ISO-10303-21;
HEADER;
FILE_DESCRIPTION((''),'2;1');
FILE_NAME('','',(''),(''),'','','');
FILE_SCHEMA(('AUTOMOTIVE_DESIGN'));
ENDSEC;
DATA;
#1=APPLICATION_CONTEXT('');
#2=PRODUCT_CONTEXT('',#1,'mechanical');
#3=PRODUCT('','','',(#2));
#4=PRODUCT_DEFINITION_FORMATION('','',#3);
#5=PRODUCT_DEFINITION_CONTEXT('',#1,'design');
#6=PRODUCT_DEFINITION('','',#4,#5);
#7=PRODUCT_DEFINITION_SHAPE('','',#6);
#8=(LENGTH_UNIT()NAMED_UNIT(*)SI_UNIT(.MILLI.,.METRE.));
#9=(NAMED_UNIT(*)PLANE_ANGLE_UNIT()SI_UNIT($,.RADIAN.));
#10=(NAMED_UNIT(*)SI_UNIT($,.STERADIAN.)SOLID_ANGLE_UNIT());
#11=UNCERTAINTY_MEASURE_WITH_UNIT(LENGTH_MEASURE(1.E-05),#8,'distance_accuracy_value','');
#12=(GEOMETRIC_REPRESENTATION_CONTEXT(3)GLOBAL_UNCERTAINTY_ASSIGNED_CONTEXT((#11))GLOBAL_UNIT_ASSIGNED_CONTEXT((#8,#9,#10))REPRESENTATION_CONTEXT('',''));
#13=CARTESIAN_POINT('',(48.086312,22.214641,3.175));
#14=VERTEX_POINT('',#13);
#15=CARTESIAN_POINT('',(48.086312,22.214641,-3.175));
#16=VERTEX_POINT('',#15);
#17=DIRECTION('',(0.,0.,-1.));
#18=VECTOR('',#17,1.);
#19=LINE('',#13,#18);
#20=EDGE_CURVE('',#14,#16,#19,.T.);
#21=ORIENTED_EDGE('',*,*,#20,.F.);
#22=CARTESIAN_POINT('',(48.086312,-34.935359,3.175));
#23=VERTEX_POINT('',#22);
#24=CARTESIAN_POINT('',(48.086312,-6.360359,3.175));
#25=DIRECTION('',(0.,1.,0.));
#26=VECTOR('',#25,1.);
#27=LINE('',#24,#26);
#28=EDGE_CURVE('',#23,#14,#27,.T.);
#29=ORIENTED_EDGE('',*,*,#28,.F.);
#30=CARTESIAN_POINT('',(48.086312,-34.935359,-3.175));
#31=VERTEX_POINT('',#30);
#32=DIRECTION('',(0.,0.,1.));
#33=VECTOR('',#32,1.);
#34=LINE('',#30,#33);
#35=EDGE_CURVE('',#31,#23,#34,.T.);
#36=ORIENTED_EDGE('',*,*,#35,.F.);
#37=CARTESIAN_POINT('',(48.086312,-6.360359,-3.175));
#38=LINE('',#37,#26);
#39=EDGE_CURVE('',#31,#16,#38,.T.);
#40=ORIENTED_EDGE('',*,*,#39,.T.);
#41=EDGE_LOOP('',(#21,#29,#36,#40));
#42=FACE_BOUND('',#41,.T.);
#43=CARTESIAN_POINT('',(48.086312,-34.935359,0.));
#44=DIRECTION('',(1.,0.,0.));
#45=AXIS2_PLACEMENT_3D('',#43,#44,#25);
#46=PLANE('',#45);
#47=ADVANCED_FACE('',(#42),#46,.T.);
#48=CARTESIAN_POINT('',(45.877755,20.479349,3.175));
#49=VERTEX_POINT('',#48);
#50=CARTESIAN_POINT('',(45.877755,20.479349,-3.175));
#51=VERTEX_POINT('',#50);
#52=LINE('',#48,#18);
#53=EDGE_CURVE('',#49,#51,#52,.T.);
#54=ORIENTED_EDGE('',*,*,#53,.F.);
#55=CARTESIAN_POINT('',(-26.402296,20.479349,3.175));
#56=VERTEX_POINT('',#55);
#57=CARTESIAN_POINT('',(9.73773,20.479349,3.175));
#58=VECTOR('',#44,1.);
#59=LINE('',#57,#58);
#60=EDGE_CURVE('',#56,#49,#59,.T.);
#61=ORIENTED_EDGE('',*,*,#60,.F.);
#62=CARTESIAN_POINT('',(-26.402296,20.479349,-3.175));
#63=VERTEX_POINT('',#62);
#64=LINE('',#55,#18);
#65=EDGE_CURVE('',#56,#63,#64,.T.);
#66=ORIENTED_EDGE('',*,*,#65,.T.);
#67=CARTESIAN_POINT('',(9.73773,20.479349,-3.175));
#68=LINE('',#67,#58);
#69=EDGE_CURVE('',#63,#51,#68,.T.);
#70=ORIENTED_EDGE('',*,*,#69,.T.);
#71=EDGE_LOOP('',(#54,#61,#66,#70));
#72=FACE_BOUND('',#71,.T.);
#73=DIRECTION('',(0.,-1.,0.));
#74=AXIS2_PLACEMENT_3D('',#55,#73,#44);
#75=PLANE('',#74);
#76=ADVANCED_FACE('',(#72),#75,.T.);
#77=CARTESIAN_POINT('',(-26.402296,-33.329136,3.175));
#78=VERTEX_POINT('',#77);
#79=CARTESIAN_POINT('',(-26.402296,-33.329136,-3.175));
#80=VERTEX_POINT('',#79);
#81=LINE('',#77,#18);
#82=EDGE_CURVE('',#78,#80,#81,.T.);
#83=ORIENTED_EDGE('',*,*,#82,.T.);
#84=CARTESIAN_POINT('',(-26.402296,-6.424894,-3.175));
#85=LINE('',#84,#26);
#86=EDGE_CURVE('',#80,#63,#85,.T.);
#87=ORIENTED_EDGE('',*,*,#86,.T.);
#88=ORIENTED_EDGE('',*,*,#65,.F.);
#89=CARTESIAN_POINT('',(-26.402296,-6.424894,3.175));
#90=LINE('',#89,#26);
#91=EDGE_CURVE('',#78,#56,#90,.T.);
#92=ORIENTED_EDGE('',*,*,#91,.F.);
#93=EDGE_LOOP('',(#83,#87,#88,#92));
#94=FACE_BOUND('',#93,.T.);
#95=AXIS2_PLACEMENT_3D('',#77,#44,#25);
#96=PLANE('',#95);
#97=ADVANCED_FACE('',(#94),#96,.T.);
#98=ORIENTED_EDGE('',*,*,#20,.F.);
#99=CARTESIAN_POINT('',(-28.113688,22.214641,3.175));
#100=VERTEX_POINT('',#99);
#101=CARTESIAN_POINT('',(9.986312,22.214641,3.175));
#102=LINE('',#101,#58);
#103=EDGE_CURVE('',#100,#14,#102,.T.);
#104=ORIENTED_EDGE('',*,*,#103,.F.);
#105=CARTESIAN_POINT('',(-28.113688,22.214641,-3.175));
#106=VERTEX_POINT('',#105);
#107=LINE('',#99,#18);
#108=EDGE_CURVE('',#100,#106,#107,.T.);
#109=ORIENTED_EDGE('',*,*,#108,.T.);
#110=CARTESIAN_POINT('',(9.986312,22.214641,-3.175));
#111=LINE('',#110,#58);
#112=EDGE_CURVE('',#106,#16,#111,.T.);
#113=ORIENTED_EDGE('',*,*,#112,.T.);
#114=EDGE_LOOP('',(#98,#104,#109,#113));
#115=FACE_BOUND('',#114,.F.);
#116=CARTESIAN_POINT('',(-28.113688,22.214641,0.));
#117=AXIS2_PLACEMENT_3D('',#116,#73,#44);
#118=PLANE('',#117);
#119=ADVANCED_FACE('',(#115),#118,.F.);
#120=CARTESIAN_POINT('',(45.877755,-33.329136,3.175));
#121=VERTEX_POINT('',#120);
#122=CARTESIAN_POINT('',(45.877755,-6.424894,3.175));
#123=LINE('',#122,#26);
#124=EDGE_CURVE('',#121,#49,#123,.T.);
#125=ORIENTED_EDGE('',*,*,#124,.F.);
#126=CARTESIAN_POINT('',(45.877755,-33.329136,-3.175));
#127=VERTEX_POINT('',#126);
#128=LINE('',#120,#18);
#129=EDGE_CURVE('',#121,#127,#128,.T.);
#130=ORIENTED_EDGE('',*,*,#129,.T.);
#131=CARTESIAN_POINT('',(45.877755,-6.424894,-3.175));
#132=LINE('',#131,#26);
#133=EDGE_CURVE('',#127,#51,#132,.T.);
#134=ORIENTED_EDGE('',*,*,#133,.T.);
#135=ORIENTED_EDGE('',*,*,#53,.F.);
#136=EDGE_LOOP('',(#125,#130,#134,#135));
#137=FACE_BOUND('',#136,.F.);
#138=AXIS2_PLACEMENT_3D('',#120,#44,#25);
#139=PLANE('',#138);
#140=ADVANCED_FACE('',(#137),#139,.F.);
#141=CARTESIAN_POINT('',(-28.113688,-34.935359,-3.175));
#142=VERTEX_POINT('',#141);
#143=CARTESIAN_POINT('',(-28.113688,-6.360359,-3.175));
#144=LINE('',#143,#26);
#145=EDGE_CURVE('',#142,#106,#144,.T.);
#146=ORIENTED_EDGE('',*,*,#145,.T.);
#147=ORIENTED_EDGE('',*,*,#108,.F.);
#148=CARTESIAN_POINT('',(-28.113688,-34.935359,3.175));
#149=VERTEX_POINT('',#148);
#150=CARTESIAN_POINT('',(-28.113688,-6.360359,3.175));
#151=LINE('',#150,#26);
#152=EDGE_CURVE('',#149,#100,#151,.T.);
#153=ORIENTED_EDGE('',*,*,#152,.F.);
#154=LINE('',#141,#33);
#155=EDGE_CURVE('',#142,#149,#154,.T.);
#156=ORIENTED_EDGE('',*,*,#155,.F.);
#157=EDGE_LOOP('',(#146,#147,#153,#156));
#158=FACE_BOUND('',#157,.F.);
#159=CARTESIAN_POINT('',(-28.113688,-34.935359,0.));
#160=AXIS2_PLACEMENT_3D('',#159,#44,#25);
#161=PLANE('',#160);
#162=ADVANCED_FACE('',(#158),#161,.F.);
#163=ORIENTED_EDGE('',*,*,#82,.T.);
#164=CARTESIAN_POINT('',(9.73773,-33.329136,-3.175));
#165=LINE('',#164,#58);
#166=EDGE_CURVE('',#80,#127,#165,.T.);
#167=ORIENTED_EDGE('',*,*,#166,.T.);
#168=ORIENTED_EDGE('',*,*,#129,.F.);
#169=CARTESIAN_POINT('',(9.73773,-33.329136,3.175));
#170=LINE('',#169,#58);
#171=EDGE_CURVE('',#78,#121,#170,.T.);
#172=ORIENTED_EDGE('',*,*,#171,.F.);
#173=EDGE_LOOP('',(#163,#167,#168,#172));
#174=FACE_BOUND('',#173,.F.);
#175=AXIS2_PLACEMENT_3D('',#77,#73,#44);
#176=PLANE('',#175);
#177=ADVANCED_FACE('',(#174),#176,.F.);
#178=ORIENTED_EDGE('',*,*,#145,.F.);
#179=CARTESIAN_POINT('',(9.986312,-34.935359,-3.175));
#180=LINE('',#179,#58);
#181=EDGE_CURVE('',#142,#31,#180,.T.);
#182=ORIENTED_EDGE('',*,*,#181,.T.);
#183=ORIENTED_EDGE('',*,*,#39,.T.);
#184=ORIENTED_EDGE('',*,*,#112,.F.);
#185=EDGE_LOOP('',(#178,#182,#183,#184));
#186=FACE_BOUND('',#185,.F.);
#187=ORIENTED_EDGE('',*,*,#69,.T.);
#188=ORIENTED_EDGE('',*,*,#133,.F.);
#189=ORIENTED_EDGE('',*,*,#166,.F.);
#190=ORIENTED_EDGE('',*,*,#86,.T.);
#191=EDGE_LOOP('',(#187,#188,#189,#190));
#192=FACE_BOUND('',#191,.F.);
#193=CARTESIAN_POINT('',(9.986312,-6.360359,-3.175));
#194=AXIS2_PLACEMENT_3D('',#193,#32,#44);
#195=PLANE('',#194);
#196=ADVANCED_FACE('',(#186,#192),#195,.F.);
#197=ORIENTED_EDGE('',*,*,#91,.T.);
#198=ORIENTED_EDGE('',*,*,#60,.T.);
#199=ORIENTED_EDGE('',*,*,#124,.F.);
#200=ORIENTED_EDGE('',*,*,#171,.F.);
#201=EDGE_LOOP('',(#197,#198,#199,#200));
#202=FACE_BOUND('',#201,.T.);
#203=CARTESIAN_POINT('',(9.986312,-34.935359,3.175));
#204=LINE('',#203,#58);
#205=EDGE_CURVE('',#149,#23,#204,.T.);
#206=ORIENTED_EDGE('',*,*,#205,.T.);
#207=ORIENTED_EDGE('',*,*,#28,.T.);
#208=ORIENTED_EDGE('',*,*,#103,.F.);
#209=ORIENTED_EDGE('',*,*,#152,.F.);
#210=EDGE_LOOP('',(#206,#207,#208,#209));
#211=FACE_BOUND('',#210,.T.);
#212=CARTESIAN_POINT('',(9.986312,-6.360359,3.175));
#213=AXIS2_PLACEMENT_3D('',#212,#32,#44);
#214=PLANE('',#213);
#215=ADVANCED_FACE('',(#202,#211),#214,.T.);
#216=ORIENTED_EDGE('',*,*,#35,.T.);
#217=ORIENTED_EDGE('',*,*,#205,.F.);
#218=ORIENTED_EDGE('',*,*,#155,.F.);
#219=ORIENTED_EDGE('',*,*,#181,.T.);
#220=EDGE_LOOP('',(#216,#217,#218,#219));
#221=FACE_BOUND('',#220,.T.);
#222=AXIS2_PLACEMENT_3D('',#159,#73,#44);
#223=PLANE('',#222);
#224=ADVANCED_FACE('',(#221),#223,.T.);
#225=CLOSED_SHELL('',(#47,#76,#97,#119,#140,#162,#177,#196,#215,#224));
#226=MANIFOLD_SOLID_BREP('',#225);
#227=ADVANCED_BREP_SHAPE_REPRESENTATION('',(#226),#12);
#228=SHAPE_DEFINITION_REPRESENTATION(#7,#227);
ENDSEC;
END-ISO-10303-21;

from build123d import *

# Parameters (mm, degrees)
F0_W     = 76.2
F0_H     = 57.15
F1_DEPTH = 3.175
F2_W     = 72.280051
F2_H     = 53.808485
F3_DEPTH = 6.35


with BuildPart() as f1:
    # F0 (on Top) → F1 (new body, symmetric)
    with BuildSketch(Plane.XY):
        with Locations((9.986312, -6.360359)):
            Rectangle(F0_W, F0_H)
    extrude(amount=F1_DEPTH, both=True)

    # F2 (on face) → F3 (cut, through all)
    with BuildSketch(Plane.XY.offset(3.175)):
        with Locations((9.73773, -6.424894)):
            Rectangle(F2_W, F2_H)
    extrude(amount=-F3_DEPTH, mode=Mode.SUBTRACT)


solid = f1.part
